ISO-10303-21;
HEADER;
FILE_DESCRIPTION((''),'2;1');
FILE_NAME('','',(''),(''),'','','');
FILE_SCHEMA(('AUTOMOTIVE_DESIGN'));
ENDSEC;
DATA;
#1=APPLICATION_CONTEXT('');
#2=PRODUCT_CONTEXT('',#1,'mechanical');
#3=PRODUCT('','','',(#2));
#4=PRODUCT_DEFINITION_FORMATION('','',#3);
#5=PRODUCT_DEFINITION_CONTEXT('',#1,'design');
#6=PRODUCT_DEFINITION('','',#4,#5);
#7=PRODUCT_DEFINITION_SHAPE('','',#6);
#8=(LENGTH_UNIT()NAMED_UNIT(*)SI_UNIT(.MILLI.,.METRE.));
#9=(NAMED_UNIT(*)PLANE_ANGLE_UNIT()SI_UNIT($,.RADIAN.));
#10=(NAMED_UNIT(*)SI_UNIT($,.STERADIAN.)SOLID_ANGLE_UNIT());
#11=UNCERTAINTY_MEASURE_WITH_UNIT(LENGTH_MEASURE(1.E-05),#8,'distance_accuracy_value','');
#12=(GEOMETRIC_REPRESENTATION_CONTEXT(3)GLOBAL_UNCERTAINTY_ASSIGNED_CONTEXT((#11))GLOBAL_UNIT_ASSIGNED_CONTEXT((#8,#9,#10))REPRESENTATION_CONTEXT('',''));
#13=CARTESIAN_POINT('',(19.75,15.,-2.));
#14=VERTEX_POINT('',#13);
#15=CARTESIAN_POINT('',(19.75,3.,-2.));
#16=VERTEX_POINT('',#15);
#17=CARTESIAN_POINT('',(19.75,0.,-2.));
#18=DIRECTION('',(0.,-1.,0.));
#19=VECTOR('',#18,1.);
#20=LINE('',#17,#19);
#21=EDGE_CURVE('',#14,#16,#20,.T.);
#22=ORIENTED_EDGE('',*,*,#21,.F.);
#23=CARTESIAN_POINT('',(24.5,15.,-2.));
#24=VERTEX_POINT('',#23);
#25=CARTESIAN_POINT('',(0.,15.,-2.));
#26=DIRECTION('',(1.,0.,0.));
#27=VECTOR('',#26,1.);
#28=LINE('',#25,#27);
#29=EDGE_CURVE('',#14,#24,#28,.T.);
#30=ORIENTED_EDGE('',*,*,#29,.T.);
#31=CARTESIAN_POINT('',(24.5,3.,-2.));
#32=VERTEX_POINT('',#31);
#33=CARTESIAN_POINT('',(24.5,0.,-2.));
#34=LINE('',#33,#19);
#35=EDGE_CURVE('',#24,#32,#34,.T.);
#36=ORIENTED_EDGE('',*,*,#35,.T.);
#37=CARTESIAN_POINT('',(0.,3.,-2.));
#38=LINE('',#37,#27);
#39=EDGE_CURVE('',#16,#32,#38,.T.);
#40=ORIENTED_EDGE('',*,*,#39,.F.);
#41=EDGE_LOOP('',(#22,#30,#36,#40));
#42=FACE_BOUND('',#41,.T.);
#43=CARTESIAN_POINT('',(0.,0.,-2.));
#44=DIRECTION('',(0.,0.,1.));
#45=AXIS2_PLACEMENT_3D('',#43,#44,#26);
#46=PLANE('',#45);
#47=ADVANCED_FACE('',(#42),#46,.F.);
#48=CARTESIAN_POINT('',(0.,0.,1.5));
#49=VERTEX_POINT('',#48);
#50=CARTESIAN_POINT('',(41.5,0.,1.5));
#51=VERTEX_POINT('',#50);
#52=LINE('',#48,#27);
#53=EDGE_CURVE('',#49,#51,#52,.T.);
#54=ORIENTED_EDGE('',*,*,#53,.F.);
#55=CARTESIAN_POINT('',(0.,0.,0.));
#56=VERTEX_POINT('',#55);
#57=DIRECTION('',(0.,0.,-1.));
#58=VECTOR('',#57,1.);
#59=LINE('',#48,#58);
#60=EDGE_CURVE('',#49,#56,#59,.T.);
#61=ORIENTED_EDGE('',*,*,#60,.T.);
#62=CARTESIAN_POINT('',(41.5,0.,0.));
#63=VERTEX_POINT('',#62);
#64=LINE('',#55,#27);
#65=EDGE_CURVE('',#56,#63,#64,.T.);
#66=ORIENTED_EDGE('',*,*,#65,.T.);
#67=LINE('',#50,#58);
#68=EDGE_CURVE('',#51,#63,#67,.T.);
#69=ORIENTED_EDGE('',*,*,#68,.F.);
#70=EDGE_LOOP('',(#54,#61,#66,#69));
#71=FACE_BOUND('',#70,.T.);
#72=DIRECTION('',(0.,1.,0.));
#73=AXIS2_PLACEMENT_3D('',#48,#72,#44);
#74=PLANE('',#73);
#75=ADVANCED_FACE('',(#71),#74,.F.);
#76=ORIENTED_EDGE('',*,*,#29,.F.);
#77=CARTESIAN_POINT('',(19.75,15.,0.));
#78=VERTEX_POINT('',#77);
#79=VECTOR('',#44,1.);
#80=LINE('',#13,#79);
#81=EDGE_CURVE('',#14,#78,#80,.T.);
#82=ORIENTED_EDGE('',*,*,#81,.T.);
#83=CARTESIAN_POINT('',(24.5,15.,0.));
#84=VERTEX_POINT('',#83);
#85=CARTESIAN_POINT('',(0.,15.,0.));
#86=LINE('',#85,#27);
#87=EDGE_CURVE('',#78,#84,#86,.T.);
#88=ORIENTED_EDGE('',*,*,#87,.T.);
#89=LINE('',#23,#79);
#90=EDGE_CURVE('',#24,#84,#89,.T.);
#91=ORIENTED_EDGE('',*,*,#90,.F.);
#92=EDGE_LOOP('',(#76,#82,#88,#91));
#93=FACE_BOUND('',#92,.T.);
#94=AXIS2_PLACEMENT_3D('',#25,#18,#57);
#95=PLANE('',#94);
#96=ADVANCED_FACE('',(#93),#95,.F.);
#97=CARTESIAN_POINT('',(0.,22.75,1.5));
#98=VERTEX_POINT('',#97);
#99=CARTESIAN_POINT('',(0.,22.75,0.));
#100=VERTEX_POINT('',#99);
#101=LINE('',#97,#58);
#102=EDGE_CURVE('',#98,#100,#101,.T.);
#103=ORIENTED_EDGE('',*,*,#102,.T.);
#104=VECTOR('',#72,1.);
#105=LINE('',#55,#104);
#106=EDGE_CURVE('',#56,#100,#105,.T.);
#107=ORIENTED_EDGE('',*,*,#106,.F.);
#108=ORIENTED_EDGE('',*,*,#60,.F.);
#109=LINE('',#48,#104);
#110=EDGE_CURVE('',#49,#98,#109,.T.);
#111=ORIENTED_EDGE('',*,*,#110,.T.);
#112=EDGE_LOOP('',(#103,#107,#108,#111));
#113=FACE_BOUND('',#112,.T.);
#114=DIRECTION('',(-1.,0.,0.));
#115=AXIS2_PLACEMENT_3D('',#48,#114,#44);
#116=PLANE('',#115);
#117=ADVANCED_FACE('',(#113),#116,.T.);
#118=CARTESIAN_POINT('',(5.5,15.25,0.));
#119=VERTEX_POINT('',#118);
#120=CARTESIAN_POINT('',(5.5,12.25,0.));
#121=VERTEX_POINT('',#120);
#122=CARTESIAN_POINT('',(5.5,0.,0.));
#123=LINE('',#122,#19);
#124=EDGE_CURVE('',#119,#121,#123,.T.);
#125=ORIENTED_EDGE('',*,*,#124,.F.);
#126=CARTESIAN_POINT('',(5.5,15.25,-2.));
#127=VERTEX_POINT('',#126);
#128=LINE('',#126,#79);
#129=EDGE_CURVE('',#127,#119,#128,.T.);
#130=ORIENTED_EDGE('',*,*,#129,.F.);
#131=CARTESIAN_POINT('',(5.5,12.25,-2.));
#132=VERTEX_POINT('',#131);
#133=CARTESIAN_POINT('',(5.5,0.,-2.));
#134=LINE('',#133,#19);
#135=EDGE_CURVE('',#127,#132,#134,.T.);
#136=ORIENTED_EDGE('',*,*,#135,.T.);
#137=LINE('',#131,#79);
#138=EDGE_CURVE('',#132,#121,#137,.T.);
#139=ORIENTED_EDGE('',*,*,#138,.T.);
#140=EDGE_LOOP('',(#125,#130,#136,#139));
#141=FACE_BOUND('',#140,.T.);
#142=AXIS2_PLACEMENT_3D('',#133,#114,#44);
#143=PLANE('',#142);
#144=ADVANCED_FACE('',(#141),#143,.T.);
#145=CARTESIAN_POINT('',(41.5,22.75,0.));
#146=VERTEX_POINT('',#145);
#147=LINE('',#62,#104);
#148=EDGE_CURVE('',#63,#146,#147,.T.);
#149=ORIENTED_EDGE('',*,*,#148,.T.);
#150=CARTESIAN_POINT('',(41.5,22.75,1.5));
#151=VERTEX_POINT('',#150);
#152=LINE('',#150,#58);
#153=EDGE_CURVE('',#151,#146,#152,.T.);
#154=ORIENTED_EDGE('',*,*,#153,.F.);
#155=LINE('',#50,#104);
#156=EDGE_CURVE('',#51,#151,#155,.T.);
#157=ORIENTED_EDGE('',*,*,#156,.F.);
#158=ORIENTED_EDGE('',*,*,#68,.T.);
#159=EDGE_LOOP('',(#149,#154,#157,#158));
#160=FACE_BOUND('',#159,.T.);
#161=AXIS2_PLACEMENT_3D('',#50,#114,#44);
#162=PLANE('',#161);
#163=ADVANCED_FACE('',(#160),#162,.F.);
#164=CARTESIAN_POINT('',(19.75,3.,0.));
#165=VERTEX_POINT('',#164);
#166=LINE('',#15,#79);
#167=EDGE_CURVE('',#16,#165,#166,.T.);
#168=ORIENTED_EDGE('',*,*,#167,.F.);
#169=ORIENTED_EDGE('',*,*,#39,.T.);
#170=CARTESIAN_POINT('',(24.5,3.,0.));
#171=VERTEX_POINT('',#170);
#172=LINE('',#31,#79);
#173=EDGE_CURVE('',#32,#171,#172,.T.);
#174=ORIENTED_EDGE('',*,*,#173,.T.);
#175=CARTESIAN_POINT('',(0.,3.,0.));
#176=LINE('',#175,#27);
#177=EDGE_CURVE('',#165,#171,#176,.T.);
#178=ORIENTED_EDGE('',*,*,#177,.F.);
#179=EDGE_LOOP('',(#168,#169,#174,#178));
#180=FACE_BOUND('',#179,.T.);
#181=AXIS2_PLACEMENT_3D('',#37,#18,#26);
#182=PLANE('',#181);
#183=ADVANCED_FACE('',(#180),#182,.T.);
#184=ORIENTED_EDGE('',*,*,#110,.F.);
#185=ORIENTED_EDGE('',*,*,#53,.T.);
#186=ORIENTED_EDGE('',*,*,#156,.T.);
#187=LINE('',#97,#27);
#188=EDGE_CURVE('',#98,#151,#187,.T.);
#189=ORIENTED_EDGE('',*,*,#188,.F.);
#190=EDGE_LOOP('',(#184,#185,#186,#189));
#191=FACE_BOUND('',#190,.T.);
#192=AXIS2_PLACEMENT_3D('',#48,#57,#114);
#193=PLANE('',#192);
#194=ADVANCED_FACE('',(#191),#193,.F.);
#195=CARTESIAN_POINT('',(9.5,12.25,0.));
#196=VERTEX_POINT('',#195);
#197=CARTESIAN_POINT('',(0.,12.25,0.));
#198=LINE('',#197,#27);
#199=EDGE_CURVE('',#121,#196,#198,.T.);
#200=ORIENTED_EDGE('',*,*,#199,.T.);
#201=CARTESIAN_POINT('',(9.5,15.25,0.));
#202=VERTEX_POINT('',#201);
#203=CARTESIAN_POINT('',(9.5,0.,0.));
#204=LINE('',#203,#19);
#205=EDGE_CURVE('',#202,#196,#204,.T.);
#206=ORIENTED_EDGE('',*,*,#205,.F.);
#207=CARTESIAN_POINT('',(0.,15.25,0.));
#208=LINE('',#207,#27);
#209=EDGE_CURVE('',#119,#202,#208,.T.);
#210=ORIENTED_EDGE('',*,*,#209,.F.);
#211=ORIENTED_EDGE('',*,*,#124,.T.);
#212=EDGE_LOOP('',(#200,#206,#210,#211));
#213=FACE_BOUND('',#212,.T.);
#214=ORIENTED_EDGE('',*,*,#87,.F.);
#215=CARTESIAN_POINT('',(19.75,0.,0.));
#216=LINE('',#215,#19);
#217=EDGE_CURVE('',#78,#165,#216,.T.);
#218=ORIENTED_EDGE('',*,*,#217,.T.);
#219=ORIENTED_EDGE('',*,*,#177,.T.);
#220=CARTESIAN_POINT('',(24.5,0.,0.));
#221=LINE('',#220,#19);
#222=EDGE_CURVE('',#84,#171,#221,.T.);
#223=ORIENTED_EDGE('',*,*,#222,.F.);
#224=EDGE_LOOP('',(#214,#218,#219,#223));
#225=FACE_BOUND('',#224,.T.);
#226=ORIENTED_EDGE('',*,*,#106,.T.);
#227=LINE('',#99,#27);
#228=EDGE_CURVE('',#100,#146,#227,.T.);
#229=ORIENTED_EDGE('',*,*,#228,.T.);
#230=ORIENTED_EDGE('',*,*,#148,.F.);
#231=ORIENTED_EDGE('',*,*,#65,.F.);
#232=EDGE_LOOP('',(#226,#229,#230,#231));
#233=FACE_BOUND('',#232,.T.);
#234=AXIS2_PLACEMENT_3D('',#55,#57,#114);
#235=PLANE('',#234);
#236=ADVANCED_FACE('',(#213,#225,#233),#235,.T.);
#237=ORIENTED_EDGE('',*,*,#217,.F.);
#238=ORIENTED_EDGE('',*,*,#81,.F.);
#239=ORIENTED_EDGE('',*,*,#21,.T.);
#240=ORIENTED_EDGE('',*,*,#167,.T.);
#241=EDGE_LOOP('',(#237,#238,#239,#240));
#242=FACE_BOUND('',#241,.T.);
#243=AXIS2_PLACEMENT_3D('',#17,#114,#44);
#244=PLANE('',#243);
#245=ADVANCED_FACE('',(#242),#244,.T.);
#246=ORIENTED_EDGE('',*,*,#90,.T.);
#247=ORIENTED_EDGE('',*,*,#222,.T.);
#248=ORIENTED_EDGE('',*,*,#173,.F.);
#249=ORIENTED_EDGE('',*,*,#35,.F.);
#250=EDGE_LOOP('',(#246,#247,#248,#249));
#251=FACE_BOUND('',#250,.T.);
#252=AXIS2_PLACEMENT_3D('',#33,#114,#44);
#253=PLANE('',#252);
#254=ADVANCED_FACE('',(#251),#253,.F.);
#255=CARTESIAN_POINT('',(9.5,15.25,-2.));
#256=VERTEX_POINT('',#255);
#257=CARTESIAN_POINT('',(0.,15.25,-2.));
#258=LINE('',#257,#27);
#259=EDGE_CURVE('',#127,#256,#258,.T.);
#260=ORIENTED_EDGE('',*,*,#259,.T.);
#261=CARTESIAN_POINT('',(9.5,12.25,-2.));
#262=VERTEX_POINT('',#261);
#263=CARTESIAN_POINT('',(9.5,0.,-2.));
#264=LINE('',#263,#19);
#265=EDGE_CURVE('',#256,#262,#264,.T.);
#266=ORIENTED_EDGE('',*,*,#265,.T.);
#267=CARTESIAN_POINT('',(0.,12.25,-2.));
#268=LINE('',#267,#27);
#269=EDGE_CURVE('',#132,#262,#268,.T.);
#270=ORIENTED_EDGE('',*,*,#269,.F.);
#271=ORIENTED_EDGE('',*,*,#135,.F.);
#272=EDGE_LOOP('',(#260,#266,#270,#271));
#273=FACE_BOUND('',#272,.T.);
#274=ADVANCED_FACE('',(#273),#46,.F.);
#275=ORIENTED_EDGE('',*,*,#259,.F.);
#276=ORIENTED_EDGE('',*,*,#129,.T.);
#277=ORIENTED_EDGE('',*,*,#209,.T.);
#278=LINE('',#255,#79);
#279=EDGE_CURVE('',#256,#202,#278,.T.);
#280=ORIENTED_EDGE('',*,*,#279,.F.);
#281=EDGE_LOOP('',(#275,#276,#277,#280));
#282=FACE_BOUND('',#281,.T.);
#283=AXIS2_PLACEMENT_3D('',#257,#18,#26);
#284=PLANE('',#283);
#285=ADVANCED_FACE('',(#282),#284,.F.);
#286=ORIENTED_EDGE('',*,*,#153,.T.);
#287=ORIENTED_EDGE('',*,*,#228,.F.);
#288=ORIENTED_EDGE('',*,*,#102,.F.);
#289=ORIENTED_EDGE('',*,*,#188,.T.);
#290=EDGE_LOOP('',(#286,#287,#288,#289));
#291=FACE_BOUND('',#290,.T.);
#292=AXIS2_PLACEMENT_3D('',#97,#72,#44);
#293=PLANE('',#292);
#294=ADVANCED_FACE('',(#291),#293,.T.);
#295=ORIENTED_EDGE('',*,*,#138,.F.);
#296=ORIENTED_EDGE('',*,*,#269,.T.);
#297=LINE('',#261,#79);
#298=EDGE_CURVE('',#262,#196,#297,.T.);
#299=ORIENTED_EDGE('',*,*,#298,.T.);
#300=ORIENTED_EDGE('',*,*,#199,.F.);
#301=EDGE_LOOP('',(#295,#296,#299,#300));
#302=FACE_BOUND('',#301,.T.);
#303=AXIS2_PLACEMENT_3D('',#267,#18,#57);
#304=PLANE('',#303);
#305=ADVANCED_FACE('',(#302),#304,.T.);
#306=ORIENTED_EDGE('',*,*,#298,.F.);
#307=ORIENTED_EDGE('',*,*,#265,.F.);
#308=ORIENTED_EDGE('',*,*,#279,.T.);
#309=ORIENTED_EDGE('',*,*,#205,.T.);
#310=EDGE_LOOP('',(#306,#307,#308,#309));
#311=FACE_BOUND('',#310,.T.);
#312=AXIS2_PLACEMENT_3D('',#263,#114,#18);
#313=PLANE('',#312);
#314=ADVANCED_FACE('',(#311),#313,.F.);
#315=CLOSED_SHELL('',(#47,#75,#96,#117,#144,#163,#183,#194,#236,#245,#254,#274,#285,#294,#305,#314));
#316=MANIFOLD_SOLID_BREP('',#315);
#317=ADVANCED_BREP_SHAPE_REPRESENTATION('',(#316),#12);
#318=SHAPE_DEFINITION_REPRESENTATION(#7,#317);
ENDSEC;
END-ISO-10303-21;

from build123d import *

# Parameters (mm, degrees)
SKETCH1_W           = 41.5
SKETCH1_H           = 22.75
BOSS_EXTRUDE1_DEPTH = 1.5
SKETCH1_3_W         = 4
SKETCH1_3_H         = 3
SKETCH1_3_W_2       = 4.75
SKETCH1_3_H_2       = 12
BOSS_EXTRUDE2_DEPTH = 2


with BuildPart() as part:
    # Sketch1 → Boss-Extrude1 (new body)
    with BuildSketch(Plane.XY):
        with Locations((20.75, 11.375)):
            Rectangle(SKETCH1_W, SKETCH1_H)
    extrude(amount=BOSS_EXTRUDE1_DEPTH)

    # Sketch1<3> → Boss-Extrude2 (add)
    with BuildSketch(Plane.XY):
        with Locations((7.5, 13.75)):
            Rectangle(SKETCH1_3_W, SKETCH1_3_H)
        with Locations((22.125, 9)):
            Rectangle(SKETCH1_3_W_2, SKETCH1_3_H_2)
    extrude(amount=-BOSS_EXTRUDE2_DEPTH)


solid = part.part
